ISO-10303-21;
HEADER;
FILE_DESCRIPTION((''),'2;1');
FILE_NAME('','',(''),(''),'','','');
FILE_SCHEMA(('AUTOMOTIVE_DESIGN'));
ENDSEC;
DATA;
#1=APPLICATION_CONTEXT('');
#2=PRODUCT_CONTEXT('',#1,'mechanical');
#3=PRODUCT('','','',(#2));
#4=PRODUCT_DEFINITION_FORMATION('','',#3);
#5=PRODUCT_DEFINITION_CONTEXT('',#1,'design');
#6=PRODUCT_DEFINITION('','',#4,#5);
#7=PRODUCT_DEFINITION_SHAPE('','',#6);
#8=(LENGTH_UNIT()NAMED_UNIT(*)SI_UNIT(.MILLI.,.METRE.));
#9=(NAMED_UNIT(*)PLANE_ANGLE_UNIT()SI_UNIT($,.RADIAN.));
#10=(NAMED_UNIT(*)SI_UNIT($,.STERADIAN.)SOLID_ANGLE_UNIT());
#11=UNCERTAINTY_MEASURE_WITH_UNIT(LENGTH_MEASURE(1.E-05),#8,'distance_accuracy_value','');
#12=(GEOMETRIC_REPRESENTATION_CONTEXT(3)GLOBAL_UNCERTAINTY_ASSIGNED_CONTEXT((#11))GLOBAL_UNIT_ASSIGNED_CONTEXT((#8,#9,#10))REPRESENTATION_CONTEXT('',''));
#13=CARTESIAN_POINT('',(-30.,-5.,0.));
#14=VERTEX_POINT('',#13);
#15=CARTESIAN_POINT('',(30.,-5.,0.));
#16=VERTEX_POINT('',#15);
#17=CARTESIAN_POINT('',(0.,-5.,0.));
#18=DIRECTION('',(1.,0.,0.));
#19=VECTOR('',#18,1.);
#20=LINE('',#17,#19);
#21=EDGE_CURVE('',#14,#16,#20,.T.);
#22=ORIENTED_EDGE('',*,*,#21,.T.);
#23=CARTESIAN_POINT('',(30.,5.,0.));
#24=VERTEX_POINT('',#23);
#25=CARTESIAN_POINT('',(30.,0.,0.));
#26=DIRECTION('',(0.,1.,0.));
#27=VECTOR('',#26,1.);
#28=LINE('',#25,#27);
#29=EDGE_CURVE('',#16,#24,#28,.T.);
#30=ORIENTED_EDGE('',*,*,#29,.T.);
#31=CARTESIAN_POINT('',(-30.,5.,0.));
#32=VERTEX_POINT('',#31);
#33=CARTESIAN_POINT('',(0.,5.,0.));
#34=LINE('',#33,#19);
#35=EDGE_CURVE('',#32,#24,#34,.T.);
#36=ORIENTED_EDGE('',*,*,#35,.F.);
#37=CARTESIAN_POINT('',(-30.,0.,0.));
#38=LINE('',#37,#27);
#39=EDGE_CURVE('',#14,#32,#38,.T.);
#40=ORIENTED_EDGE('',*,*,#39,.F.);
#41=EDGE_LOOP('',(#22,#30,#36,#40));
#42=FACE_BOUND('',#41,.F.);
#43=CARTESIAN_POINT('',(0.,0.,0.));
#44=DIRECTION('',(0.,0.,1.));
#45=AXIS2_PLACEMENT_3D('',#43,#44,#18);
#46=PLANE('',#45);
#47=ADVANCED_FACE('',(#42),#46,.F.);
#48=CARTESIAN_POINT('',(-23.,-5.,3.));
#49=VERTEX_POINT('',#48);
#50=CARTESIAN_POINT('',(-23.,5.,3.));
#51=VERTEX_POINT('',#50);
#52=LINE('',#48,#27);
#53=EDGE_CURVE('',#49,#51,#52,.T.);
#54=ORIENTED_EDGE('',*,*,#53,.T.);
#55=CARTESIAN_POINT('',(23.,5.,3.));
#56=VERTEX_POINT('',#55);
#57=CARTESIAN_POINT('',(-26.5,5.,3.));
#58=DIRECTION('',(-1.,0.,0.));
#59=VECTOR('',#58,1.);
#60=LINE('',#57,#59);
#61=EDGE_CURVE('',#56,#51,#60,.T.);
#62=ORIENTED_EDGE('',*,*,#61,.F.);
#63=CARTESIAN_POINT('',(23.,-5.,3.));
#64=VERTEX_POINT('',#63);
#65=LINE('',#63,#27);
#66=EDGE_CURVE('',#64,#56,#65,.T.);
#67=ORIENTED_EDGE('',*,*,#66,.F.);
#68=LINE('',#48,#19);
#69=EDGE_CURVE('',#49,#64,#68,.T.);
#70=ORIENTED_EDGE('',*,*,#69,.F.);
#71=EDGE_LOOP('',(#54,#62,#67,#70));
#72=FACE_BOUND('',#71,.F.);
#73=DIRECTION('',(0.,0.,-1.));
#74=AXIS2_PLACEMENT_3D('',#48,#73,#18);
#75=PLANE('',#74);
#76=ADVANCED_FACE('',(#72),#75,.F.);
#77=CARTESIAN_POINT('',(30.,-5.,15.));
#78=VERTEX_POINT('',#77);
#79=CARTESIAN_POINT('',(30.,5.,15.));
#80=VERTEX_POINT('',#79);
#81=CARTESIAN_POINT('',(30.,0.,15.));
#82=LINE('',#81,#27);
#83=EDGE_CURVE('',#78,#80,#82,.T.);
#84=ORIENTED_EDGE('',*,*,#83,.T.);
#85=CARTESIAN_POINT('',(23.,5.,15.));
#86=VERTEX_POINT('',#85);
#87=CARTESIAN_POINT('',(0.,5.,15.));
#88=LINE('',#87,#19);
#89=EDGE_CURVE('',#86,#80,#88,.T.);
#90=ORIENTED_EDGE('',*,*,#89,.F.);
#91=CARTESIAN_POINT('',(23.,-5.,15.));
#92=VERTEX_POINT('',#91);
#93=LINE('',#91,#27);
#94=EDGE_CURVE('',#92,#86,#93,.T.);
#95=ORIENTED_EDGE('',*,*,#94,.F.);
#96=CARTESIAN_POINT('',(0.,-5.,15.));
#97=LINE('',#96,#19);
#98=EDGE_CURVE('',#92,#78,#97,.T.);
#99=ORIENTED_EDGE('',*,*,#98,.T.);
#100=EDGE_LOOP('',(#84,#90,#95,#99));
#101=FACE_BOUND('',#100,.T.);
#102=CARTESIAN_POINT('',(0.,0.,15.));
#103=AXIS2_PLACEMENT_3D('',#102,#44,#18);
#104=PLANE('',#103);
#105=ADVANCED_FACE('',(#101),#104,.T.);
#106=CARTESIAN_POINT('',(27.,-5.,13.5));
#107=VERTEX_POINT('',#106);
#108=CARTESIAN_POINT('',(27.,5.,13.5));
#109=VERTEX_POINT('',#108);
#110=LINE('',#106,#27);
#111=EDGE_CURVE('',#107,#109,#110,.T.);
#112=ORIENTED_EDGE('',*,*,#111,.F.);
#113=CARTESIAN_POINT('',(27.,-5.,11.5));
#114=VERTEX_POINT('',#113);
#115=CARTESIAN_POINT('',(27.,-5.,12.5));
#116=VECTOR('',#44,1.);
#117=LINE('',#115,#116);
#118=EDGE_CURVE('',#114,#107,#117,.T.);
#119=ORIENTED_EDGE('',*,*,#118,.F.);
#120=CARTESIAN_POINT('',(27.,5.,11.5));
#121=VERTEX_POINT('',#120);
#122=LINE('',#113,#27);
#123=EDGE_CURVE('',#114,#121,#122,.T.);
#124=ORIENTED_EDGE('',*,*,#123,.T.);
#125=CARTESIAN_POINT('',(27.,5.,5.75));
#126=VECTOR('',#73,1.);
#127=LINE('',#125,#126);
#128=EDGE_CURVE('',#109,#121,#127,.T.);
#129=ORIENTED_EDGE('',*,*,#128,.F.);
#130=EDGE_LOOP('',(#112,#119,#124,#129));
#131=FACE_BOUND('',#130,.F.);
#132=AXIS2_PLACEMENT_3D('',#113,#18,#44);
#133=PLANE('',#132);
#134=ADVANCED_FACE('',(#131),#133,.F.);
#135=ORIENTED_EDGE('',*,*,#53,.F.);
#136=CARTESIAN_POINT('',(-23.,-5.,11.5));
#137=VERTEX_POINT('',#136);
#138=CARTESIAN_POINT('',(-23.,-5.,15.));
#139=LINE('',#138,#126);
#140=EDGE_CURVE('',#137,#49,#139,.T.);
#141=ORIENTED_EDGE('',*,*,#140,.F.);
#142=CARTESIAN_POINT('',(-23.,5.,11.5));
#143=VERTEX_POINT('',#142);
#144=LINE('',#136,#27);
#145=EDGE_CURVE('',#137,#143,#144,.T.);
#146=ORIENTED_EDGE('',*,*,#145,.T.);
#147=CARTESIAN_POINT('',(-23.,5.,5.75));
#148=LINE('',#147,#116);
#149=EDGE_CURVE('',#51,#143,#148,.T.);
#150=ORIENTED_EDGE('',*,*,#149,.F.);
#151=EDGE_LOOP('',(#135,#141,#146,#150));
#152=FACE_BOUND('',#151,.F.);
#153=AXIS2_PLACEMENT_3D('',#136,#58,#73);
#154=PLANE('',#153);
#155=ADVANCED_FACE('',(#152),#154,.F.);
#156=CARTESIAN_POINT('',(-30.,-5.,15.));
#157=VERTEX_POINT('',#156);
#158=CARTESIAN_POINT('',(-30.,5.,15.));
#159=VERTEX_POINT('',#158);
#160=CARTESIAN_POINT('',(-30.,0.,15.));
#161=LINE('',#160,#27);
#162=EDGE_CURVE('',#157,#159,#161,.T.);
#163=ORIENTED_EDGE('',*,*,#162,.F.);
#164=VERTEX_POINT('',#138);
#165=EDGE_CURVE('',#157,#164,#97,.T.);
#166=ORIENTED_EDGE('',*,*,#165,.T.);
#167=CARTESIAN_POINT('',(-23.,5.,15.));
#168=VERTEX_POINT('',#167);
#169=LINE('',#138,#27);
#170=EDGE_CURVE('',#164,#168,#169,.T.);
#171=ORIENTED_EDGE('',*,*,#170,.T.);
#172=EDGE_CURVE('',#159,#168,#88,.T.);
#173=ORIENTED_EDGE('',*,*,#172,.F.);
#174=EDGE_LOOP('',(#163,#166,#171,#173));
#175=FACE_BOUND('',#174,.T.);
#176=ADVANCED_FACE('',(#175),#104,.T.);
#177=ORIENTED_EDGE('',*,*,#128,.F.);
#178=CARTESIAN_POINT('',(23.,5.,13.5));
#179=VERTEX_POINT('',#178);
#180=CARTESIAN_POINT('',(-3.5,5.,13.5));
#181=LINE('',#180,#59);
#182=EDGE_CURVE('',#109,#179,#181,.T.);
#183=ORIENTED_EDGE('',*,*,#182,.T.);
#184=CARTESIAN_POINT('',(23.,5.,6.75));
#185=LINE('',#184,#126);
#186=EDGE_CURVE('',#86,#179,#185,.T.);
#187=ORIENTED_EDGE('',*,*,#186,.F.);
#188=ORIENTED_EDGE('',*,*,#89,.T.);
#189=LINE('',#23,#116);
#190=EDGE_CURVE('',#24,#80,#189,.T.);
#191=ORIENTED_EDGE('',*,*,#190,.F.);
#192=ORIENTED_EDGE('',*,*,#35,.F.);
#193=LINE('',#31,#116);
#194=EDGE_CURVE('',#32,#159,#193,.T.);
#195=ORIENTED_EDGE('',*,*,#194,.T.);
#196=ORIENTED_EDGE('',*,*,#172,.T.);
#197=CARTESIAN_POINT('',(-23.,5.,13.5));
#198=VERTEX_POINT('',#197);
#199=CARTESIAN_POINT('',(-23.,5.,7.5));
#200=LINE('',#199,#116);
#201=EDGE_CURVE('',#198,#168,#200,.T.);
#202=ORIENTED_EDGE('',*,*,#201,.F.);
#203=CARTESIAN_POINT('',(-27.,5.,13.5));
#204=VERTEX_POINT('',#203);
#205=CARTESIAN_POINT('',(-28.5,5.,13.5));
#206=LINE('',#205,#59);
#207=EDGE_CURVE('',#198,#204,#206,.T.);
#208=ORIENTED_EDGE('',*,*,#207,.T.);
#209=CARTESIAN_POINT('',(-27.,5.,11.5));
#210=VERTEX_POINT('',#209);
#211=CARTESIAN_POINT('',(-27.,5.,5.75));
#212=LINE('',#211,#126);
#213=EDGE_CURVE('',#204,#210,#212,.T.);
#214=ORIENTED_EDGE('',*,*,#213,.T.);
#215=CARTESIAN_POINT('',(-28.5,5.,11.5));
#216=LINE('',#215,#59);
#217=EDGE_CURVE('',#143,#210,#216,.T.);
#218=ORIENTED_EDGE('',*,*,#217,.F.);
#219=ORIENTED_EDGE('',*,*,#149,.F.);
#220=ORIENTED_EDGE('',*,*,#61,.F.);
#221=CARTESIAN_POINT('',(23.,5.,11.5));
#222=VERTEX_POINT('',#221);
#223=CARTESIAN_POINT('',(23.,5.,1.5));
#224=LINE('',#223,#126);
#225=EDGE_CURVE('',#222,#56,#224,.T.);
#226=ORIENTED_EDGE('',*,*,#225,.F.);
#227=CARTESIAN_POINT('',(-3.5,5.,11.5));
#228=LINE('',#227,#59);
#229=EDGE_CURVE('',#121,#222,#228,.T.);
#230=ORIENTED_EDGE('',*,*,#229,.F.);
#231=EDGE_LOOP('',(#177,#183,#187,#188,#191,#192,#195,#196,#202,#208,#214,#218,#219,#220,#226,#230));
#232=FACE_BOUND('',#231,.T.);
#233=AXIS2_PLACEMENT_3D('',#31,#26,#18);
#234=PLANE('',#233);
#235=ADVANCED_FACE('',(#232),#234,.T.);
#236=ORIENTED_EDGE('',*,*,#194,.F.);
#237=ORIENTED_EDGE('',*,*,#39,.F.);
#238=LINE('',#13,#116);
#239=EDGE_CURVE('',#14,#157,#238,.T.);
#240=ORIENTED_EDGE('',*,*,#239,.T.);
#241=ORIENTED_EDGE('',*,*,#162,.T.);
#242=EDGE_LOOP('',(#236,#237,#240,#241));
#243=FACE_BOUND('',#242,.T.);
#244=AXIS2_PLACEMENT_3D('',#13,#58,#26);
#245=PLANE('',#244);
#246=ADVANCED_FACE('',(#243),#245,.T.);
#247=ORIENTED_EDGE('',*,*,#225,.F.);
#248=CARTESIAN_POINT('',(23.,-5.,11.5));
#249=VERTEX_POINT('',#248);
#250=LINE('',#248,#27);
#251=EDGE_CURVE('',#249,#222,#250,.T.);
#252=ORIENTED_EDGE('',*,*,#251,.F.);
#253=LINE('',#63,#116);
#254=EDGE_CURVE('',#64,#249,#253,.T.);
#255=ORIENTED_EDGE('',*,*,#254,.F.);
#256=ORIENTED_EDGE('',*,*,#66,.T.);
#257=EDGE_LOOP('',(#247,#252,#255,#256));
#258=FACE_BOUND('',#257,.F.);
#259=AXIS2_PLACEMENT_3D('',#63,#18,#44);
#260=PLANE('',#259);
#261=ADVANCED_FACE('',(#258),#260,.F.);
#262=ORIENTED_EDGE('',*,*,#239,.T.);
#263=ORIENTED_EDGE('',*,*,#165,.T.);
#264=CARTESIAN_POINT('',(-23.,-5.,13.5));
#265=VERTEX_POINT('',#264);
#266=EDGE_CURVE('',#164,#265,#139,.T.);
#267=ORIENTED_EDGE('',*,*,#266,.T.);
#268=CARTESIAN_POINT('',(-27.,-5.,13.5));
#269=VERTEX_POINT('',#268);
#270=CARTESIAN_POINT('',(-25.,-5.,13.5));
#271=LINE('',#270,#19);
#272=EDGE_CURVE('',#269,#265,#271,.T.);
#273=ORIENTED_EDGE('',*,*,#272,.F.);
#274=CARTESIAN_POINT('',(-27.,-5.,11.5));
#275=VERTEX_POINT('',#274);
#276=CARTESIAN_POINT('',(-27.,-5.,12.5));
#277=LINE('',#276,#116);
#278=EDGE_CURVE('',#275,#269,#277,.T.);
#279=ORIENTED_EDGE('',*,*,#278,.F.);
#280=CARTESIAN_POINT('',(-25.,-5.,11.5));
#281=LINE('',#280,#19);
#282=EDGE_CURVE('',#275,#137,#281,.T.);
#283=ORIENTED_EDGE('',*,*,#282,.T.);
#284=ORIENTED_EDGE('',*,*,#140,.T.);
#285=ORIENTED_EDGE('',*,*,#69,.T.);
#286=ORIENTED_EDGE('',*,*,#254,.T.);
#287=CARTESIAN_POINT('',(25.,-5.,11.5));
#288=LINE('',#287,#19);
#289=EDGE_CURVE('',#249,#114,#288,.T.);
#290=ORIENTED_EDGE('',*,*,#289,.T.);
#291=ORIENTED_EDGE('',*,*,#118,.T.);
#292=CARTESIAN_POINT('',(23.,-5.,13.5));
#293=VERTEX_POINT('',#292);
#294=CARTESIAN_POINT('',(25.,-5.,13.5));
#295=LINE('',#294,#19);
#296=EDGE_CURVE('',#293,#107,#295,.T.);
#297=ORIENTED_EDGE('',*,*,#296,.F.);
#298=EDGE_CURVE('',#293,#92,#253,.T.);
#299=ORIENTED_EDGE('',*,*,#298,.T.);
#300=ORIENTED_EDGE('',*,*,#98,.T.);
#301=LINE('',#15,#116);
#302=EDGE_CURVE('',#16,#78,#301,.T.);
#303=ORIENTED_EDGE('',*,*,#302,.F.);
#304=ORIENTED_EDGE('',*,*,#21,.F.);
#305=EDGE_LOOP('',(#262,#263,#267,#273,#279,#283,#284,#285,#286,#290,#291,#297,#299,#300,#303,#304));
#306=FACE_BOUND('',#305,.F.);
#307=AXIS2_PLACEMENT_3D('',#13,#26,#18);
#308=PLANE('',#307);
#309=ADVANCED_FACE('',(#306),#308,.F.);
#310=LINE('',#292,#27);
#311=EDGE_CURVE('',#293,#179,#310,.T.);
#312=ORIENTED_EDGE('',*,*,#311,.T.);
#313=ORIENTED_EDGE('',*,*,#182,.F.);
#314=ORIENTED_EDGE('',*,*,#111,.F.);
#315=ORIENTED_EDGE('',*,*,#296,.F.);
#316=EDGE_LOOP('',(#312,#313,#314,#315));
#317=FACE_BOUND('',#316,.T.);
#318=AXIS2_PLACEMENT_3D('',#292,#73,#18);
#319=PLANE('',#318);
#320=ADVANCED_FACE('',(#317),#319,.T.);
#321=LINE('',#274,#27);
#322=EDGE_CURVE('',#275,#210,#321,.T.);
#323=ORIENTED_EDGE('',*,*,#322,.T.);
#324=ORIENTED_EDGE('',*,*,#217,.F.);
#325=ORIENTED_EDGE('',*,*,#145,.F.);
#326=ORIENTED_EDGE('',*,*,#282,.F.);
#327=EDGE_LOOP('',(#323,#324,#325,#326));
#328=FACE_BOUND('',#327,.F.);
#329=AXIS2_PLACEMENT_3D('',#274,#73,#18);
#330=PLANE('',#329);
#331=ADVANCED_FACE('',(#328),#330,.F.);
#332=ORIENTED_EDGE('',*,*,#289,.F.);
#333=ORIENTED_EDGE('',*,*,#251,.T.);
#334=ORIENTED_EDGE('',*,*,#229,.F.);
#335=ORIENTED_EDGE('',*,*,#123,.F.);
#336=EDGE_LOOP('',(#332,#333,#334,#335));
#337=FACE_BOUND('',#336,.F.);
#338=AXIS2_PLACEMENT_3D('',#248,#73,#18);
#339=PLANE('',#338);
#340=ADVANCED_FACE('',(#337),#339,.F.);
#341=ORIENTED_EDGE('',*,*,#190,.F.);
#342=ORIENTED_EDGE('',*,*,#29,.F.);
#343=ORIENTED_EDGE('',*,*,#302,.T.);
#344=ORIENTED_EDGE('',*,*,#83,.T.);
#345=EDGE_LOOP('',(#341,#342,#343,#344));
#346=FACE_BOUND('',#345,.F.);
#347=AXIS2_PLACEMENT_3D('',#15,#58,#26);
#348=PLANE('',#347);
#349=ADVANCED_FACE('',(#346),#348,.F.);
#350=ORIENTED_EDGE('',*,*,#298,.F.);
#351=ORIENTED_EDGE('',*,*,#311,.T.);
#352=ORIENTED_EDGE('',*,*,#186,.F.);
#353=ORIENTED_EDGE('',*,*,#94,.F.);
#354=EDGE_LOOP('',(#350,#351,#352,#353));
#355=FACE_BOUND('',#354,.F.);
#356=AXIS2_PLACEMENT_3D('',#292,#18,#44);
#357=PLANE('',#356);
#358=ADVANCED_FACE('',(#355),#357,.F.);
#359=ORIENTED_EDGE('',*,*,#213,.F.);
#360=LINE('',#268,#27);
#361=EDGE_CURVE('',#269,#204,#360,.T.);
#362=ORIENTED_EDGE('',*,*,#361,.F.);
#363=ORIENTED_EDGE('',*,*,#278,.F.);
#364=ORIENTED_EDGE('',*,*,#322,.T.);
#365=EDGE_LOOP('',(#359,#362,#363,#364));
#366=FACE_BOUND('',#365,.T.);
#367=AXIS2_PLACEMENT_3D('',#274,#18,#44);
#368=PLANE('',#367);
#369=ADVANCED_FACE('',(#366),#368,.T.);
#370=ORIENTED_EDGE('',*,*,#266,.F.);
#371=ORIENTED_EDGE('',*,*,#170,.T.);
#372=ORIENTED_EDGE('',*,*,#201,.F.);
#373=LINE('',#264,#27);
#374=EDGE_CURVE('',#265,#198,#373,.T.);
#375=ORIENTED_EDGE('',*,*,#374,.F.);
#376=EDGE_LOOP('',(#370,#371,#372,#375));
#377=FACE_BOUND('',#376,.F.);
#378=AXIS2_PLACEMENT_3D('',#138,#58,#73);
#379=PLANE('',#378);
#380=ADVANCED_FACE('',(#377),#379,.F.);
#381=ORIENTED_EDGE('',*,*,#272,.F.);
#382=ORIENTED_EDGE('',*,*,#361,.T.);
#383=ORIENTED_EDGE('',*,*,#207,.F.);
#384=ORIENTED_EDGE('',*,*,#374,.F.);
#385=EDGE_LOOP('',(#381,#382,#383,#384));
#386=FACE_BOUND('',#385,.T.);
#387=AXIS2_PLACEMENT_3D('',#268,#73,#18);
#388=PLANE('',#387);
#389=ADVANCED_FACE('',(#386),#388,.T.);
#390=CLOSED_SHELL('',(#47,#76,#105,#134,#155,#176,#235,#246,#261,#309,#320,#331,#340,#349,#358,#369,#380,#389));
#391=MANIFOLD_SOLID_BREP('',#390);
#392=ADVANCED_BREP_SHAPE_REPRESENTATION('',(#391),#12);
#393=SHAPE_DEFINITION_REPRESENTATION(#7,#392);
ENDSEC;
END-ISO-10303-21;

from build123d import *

# Parameters (mm, degrees)
F0_W     = 60
F0_H     = 10
F1_DEPTH = 15
F2_W     = 4
F2_H     = 2
F3_DEPTH = 10.001


with BuildPart() as f1:
    # F0 (on Top) → F1 (new body)
    with BuildSketch(Plane.XY):
        Rectangle(F0_W, F0_H)
    extrude(amount=F1_DEPTH)

    # F2 (on face) → F3 (cut, through all)
    with BuildSketch(Plane.XZ.offset(5)):
        Polygon((23, 15), (-23, 15), (-23, 13.5), (-23, 11.5), (-23, 3), (23, 3), (23, 11.5), (23, 13.5), align=None)
        with Locations((-25, 12.5)):
            Rectangle(F2_W, F2_H)
        with Locations((25, 12.5)):
            Rectangle(F2_W, F2_H)
    extrude(amount=-F3_DEPTH, mode=Mode.SUBTRACT)


solid = f1.part
